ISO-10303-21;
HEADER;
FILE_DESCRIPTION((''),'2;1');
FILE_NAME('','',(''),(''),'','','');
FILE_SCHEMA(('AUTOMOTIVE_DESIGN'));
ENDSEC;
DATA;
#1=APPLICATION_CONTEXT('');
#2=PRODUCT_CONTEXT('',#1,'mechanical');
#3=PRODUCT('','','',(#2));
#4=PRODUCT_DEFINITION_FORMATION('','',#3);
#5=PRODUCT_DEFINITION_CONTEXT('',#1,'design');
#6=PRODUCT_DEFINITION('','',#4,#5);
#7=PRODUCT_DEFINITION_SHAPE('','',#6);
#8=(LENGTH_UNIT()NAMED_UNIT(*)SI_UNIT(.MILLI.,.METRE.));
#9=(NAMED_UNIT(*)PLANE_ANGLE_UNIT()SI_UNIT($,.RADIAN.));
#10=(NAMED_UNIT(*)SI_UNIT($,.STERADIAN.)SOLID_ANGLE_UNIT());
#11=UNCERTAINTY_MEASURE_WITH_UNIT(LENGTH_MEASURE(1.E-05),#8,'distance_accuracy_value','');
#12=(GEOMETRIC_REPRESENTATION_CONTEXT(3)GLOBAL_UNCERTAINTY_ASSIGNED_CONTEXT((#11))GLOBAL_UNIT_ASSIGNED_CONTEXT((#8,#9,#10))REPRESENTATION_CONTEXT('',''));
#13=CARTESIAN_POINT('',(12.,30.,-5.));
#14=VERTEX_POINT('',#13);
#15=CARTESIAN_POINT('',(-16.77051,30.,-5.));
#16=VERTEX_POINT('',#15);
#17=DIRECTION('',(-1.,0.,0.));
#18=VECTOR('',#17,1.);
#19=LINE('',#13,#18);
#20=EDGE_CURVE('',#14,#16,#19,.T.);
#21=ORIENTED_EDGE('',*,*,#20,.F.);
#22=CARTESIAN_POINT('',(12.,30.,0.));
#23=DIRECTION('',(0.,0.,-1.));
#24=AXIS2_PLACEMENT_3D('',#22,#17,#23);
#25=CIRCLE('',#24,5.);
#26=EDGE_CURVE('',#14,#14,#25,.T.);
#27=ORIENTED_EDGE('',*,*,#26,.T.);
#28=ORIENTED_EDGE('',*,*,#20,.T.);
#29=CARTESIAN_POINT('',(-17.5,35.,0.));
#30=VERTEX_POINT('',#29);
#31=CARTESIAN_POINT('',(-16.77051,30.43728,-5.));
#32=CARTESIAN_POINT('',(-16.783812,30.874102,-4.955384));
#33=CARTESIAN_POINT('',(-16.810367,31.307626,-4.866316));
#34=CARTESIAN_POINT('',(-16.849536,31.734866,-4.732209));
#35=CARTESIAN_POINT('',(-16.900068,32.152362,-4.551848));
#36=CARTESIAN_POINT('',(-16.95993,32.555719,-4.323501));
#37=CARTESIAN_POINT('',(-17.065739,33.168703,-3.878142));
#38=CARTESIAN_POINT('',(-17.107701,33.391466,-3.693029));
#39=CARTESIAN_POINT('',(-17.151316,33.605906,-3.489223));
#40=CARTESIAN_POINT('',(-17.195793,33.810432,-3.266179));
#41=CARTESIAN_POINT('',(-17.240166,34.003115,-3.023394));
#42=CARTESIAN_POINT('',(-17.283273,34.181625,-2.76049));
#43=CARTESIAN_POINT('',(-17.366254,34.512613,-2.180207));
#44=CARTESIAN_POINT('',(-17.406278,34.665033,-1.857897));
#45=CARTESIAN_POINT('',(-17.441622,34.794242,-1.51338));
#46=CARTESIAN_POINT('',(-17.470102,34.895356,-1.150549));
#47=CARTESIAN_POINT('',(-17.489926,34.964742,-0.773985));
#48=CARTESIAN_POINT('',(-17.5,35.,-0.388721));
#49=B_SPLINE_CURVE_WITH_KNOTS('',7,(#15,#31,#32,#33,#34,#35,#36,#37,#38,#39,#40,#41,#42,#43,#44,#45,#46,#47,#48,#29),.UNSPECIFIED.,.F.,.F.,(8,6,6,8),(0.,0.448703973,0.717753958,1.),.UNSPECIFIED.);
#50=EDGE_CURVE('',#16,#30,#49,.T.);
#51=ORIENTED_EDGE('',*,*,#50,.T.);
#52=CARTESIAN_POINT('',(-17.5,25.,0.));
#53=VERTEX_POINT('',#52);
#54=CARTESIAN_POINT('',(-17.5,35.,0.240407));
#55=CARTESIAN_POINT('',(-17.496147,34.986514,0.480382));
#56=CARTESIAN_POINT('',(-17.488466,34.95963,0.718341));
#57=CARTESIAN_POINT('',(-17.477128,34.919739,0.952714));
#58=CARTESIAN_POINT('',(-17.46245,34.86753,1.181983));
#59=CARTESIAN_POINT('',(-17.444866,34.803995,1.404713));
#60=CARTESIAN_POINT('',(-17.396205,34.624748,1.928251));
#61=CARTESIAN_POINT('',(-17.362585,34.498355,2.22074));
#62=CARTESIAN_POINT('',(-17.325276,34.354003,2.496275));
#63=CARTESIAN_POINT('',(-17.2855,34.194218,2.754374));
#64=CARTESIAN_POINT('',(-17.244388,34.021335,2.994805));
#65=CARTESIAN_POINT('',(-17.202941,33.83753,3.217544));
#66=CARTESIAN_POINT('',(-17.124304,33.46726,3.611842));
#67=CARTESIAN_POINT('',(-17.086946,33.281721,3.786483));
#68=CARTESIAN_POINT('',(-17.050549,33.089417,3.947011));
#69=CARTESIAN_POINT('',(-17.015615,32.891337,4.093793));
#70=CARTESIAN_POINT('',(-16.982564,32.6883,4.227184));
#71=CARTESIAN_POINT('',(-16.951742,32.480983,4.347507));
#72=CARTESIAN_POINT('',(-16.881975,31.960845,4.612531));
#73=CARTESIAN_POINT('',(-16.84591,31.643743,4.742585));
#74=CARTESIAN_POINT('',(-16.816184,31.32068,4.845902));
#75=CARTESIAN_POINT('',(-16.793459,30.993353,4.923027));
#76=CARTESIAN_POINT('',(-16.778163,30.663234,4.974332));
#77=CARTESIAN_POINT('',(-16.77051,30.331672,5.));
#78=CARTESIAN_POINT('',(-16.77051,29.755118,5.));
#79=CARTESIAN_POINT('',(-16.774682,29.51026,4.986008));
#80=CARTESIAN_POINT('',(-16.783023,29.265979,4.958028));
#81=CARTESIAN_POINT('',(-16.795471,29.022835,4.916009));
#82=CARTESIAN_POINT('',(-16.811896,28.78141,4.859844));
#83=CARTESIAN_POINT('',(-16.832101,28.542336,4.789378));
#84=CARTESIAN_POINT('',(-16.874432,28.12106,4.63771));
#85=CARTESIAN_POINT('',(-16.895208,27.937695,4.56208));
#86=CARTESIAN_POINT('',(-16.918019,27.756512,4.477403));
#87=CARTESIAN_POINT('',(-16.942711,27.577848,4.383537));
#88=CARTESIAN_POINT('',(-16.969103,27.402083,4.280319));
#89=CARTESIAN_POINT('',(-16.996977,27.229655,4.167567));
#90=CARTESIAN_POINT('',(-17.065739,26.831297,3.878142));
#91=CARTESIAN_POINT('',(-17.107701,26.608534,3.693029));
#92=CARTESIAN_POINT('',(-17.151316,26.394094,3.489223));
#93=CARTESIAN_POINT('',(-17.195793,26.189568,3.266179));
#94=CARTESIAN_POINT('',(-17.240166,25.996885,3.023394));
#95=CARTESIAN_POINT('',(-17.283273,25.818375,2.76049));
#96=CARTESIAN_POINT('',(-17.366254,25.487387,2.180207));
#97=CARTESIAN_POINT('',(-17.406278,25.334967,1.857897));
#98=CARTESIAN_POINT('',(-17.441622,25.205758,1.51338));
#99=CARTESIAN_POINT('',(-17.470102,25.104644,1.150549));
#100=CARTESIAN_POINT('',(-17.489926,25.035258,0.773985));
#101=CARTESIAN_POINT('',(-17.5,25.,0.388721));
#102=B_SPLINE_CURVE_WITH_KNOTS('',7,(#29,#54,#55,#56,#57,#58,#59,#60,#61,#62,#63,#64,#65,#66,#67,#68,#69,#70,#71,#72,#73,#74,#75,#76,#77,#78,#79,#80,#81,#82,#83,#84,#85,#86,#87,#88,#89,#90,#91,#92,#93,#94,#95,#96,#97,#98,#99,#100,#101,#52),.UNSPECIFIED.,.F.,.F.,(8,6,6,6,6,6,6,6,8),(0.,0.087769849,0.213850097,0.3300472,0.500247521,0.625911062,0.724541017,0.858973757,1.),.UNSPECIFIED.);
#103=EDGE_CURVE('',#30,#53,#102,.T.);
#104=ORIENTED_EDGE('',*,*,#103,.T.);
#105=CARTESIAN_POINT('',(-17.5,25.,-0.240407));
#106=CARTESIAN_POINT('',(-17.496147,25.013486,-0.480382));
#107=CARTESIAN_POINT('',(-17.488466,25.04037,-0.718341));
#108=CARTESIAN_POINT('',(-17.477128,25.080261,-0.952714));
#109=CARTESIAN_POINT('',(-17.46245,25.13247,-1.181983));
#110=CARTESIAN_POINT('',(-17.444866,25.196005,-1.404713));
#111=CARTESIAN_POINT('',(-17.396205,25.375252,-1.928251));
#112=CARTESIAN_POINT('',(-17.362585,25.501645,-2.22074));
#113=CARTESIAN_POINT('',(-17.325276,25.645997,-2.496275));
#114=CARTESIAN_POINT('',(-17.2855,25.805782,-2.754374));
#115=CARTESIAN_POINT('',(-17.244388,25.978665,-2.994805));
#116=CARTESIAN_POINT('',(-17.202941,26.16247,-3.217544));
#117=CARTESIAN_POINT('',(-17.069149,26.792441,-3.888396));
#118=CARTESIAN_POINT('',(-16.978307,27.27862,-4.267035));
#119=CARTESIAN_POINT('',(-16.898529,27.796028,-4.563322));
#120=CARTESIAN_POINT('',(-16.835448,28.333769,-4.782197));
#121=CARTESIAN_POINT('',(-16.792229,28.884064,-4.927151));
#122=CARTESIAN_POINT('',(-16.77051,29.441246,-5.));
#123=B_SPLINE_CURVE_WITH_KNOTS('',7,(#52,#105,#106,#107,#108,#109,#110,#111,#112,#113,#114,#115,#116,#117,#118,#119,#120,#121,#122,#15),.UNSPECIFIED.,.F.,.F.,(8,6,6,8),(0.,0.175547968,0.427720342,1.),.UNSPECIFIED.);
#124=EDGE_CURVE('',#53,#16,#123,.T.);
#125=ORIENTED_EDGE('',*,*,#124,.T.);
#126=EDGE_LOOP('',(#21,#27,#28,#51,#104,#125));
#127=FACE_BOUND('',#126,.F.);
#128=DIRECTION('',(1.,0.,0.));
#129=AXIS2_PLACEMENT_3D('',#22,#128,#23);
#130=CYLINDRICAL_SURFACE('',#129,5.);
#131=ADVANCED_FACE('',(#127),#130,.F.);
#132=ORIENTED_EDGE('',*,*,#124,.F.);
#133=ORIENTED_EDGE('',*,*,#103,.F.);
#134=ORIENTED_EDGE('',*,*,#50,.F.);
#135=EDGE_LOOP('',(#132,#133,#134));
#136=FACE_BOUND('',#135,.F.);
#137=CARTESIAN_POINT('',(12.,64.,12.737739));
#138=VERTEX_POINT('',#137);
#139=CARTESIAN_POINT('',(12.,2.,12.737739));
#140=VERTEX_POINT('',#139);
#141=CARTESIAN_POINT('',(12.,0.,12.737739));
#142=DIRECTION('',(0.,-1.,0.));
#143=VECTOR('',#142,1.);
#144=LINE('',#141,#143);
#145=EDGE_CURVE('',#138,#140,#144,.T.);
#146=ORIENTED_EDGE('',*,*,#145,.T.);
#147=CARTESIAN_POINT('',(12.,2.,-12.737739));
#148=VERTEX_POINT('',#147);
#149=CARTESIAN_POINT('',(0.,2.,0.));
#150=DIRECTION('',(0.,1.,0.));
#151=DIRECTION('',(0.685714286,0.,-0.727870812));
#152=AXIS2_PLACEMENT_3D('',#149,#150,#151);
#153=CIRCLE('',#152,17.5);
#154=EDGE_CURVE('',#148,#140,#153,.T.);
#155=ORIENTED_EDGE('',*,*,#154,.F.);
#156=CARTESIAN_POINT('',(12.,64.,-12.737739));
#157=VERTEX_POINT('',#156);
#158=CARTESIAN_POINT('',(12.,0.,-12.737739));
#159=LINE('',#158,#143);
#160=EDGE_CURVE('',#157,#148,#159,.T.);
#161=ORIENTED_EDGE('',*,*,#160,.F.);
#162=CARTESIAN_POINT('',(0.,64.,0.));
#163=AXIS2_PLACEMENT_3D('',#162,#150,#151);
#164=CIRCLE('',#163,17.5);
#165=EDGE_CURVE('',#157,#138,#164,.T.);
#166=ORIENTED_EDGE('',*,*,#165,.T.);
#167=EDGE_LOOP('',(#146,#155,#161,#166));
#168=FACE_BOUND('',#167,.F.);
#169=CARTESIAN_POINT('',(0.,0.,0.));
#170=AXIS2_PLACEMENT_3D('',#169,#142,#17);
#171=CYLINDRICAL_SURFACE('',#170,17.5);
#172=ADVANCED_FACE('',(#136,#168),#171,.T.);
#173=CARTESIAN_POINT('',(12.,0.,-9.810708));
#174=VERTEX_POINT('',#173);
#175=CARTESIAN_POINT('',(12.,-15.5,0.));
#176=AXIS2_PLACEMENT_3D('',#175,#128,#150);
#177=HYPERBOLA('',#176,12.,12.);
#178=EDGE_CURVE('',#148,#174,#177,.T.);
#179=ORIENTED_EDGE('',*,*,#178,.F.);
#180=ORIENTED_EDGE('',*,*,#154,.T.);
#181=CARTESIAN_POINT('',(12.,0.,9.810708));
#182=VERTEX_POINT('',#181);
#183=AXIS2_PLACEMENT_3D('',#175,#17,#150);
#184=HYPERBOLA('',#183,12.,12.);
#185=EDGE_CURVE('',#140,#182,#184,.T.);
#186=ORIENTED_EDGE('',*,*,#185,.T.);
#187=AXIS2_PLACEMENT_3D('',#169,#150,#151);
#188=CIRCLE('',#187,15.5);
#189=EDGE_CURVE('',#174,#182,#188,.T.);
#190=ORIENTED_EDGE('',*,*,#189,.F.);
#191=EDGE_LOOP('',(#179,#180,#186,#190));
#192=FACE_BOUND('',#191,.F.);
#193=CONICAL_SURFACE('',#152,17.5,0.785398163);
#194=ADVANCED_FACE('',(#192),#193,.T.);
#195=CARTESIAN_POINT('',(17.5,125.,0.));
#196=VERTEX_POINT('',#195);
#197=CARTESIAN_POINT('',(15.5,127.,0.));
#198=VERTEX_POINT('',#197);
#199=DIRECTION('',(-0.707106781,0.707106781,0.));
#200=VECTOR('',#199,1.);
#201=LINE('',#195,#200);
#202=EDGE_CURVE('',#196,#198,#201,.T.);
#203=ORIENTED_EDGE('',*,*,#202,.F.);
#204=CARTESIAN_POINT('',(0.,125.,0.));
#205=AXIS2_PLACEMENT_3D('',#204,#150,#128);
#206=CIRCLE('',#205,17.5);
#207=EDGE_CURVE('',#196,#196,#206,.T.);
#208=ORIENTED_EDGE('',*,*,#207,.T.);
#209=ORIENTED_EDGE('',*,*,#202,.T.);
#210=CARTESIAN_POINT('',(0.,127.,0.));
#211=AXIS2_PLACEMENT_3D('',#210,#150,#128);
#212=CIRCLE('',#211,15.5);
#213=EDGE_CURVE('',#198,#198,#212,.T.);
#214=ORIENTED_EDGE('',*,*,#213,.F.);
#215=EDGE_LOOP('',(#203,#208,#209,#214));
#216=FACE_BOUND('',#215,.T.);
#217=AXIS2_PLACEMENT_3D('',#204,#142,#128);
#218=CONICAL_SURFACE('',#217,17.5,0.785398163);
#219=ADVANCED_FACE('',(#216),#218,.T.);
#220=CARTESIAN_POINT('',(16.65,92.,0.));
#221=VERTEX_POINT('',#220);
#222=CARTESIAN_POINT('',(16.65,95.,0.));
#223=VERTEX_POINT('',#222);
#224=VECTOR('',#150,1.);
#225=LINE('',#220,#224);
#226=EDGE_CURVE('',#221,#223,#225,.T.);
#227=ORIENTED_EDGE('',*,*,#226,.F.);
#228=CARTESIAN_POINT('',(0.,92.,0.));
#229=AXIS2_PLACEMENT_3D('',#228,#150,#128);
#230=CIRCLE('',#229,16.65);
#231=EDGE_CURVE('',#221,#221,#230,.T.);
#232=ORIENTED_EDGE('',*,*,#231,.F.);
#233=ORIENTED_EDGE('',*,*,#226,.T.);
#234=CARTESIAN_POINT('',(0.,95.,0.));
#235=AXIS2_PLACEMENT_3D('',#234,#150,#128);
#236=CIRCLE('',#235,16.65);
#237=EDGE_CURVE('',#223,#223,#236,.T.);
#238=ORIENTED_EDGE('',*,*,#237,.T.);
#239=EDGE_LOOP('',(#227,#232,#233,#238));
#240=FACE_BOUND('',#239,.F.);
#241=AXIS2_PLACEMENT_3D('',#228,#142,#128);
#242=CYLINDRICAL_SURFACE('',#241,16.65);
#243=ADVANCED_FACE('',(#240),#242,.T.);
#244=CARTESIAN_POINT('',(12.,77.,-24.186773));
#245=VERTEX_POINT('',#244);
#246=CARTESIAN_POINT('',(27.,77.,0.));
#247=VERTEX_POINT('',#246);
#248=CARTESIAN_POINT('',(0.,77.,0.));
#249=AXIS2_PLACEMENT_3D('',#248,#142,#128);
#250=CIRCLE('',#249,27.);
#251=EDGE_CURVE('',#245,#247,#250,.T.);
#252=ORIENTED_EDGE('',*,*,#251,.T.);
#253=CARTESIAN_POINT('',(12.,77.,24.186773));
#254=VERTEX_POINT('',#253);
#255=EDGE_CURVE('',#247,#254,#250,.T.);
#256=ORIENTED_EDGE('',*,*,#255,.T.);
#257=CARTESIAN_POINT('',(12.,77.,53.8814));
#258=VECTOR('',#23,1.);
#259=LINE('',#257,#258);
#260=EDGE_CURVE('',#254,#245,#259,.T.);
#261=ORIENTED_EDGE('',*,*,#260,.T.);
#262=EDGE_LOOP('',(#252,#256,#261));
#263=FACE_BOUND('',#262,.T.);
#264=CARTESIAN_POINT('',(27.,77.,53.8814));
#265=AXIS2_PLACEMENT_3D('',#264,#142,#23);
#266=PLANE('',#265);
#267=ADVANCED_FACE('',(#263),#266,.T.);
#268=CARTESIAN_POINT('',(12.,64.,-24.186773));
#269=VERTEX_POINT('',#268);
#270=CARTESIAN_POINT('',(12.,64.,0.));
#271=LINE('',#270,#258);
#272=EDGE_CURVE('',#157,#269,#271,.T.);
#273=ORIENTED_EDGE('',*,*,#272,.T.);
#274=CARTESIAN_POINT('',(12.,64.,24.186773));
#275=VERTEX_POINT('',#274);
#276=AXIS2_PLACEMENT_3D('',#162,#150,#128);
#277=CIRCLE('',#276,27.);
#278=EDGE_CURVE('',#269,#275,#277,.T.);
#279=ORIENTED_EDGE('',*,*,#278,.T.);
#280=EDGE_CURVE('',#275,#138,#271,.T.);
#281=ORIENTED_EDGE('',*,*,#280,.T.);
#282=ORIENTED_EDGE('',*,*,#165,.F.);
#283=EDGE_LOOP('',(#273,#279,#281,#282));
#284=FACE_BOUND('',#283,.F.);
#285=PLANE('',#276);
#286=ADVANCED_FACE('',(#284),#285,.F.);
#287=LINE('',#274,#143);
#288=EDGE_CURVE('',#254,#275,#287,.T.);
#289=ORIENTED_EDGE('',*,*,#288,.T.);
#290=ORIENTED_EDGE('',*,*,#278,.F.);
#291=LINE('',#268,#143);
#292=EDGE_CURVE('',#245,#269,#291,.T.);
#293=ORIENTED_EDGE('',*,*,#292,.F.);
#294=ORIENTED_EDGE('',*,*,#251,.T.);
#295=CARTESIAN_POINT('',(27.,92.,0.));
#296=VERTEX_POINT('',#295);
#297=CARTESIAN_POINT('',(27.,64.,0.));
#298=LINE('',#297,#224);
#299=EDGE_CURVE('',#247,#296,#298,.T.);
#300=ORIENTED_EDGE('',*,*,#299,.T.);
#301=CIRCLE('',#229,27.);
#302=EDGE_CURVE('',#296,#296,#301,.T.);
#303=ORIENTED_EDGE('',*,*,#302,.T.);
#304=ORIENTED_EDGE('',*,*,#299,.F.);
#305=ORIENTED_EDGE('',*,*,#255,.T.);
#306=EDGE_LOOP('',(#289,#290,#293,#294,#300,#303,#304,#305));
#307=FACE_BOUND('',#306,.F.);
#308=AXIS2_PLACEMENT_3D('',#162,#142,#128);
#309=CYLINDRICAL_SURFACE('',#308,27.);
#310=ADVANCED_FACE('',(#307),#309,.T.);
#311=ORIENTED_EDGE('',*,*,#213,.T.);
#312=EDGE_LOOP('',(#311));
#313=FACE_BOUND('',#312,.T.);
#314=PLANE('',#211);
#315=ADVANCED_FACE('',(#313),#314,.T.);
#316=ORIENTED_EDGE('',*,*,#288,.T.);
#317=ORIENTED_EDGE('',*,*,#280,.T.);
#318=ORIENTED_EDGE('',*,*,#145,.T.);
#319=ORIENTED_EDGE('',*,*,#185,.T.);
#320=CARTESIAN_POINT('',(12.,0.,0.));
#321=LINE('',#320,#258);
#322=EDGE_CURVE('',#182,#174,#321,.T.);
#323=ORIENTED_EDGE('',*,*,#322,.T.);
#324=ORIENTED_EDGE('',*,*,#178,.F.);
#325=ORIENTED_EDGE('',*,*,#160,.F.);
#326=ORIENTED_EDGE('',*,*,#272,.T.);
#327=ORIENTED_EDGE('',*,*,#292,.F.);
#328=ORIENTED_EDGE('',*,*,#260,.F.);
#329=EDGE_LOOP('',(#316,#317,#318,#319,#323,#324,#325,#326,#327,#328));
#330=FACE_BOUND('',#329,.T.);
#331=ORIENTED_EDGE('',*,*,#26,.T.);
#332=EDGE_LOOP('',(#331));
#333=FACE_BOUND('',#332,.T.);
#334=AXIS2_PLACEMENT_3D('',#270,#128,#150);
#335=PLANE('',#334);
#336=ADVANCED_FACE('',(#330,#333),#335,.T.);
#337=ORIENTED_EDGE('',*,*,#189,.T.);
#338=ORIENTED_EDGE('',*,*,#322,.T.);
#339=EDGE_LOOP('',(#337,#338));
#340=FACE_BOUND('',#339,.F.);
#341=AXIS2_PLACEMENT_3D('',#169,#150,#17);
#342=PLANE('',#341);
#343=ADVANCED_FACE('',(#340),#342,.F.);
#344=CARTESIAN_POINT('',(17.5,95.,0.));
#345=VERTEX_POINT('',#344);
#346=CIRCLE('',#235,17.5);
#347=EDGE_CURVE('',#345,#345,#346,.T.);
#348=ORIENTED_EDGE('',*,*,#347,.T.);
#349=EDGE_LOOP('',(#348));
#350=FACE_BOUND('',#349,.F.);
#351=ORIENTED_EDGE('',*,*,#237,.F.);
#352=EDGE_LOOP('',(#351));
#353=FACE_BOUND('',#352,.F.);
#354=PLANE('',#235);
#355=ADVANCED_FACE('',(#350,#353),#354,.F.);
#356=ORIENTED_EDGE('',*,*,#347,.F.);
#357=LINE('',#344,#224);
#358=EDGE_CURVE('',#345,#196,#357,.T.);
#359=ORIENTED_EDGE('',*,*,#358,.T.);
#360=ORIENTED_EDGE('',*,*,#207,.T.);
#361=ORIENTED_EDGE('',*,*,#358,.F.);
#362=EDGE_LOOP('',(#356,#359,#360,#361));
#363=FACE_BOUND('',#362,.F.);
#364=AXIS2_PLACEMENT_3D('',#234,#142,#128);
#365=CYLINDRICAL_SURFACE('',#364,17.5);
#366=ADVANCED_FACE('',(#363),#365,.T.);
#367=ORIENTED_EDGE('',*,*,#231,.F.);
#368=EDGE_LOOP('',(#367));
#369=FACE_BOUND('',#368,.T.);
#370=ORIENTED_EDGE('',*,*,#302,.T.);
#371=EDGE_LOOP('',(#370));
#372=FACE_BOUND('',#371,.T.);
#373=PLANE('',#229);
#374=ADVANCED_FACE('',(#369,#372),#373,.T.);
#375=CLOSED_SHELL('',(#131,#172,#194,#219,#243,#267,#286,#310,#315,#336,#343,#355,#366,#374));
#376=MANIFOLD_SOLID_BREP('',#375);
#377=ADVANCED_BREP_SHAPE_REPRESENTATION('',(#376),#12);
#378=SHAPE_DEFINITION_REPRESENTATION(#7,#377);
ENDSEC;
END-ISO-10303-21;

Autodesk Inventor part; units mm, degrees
ref_plane "XZ Plane" through (0, 0, 0) normal (0, 1, 0) x (-1, 0, 0)
ref_plane "XY Plane" through (0, 0, 0) normal (0, 0, 1) x (1, 0, 0)
sketch "Sketch1" plane through (0, 0, 0) normal (0, 1, 0) x (-1, 0, 0)
  circle A0 centre (0, 0) radius 17.5
  dimension "d0" = 35
extrude "Extrusion1" add sketch "Sketch1" along normal blind 64
sketch "Sketch2" plane through (0, 64, 0) normal (0, 1, 0) x (1, 0, 0)
  circle A0 centre (0, 0) radius 27
  dimension "d3" = 54
extrude "Extrusion2" add sketch "Sketch2" along normal blind 28
sketch "Sketch3" plane through (0, 92, 0) normal (0, 1, 0) x (1, 0, 0)
  circle A0 centre (0, 0) radius 16.65
  dimension "d6" = 33.3
extrude "Extrusion3" add sketch "Sketch3" along normal blind 3
sketch "Sketch4" plane through (0, 95, 0) normal (0, 1, 0) x (1, 0, 0)
  circle A0 centre (0, 0) radius 16.65 projected
  circle A1 centre (0, 0) radius 17.5
  dimension "d9" = 35
extrude "Extrusion4" add sketch "Sketch4" along normal blind 32 contours A0 | A1
ref_plane "Work Plane1" through (27, 64, 0) normal (1, 0, 0) x (0, 1, 0)
sketch "Sketch5" plane through (27, 64, 0) normal (1, 0, 0) x (0, 1, 0)
  line L0 (-64, -17.5) -> (-64, 17.5) projected
  line L1 (-64, -17.5) -> (-64, -50.6158)
  line L2 (-64, -50.6158) -> (13, -50.6158)
  line L3 (13, -50.6158) -> (-82.5223, -50.6158)
  line L4 (-82.5223, -50.6158) -> (-82.5223, 53.8814)
  line L5 (-82.5223, 53.8814) -> (13, 53.8814)
  line L6 (13, 53.8814) -> (13, -50.6158)
  point P0 (-64, 0)
  dimension "d12" = 77
extrude "Extrusion5" cut sketch "Sketch5" against normal blind 15
sketch "Sketch6" plane through (12, 64, 0) normal (1, 0, 0) x (0, 0, -1)
  line L0 (17.5, -64) -> (-17.5, -64) projected
  line L1 (-17.5, -64) -> (0, -64)
  line L2 (0, -64) -> (0, -34)
  line L3 (0, -34) -> (-17.5, -34)
  line L4 (-17.5, -34) -> (-17.5, -64)
  circle A0 centre (0, -34) radius 5
  point P0 (12.7377, -64)
  point P1 (-12.7377, -64)
  dimension "d15" = 30
  dimension "d16" = 10
extrude "Extrusion6" cut sketch "Sketch6" against normal through all contours A0 L3 L2 | L2 L3 A0
chamfer "Chamfer1" distance 2 angle 45 2 edges at (-17.5, 0, 0) (-17.5, 127, 0)
properties part number "MMAE 232 Assignment 1c-Nicholas Skiba" material "Aluminum 6061"
